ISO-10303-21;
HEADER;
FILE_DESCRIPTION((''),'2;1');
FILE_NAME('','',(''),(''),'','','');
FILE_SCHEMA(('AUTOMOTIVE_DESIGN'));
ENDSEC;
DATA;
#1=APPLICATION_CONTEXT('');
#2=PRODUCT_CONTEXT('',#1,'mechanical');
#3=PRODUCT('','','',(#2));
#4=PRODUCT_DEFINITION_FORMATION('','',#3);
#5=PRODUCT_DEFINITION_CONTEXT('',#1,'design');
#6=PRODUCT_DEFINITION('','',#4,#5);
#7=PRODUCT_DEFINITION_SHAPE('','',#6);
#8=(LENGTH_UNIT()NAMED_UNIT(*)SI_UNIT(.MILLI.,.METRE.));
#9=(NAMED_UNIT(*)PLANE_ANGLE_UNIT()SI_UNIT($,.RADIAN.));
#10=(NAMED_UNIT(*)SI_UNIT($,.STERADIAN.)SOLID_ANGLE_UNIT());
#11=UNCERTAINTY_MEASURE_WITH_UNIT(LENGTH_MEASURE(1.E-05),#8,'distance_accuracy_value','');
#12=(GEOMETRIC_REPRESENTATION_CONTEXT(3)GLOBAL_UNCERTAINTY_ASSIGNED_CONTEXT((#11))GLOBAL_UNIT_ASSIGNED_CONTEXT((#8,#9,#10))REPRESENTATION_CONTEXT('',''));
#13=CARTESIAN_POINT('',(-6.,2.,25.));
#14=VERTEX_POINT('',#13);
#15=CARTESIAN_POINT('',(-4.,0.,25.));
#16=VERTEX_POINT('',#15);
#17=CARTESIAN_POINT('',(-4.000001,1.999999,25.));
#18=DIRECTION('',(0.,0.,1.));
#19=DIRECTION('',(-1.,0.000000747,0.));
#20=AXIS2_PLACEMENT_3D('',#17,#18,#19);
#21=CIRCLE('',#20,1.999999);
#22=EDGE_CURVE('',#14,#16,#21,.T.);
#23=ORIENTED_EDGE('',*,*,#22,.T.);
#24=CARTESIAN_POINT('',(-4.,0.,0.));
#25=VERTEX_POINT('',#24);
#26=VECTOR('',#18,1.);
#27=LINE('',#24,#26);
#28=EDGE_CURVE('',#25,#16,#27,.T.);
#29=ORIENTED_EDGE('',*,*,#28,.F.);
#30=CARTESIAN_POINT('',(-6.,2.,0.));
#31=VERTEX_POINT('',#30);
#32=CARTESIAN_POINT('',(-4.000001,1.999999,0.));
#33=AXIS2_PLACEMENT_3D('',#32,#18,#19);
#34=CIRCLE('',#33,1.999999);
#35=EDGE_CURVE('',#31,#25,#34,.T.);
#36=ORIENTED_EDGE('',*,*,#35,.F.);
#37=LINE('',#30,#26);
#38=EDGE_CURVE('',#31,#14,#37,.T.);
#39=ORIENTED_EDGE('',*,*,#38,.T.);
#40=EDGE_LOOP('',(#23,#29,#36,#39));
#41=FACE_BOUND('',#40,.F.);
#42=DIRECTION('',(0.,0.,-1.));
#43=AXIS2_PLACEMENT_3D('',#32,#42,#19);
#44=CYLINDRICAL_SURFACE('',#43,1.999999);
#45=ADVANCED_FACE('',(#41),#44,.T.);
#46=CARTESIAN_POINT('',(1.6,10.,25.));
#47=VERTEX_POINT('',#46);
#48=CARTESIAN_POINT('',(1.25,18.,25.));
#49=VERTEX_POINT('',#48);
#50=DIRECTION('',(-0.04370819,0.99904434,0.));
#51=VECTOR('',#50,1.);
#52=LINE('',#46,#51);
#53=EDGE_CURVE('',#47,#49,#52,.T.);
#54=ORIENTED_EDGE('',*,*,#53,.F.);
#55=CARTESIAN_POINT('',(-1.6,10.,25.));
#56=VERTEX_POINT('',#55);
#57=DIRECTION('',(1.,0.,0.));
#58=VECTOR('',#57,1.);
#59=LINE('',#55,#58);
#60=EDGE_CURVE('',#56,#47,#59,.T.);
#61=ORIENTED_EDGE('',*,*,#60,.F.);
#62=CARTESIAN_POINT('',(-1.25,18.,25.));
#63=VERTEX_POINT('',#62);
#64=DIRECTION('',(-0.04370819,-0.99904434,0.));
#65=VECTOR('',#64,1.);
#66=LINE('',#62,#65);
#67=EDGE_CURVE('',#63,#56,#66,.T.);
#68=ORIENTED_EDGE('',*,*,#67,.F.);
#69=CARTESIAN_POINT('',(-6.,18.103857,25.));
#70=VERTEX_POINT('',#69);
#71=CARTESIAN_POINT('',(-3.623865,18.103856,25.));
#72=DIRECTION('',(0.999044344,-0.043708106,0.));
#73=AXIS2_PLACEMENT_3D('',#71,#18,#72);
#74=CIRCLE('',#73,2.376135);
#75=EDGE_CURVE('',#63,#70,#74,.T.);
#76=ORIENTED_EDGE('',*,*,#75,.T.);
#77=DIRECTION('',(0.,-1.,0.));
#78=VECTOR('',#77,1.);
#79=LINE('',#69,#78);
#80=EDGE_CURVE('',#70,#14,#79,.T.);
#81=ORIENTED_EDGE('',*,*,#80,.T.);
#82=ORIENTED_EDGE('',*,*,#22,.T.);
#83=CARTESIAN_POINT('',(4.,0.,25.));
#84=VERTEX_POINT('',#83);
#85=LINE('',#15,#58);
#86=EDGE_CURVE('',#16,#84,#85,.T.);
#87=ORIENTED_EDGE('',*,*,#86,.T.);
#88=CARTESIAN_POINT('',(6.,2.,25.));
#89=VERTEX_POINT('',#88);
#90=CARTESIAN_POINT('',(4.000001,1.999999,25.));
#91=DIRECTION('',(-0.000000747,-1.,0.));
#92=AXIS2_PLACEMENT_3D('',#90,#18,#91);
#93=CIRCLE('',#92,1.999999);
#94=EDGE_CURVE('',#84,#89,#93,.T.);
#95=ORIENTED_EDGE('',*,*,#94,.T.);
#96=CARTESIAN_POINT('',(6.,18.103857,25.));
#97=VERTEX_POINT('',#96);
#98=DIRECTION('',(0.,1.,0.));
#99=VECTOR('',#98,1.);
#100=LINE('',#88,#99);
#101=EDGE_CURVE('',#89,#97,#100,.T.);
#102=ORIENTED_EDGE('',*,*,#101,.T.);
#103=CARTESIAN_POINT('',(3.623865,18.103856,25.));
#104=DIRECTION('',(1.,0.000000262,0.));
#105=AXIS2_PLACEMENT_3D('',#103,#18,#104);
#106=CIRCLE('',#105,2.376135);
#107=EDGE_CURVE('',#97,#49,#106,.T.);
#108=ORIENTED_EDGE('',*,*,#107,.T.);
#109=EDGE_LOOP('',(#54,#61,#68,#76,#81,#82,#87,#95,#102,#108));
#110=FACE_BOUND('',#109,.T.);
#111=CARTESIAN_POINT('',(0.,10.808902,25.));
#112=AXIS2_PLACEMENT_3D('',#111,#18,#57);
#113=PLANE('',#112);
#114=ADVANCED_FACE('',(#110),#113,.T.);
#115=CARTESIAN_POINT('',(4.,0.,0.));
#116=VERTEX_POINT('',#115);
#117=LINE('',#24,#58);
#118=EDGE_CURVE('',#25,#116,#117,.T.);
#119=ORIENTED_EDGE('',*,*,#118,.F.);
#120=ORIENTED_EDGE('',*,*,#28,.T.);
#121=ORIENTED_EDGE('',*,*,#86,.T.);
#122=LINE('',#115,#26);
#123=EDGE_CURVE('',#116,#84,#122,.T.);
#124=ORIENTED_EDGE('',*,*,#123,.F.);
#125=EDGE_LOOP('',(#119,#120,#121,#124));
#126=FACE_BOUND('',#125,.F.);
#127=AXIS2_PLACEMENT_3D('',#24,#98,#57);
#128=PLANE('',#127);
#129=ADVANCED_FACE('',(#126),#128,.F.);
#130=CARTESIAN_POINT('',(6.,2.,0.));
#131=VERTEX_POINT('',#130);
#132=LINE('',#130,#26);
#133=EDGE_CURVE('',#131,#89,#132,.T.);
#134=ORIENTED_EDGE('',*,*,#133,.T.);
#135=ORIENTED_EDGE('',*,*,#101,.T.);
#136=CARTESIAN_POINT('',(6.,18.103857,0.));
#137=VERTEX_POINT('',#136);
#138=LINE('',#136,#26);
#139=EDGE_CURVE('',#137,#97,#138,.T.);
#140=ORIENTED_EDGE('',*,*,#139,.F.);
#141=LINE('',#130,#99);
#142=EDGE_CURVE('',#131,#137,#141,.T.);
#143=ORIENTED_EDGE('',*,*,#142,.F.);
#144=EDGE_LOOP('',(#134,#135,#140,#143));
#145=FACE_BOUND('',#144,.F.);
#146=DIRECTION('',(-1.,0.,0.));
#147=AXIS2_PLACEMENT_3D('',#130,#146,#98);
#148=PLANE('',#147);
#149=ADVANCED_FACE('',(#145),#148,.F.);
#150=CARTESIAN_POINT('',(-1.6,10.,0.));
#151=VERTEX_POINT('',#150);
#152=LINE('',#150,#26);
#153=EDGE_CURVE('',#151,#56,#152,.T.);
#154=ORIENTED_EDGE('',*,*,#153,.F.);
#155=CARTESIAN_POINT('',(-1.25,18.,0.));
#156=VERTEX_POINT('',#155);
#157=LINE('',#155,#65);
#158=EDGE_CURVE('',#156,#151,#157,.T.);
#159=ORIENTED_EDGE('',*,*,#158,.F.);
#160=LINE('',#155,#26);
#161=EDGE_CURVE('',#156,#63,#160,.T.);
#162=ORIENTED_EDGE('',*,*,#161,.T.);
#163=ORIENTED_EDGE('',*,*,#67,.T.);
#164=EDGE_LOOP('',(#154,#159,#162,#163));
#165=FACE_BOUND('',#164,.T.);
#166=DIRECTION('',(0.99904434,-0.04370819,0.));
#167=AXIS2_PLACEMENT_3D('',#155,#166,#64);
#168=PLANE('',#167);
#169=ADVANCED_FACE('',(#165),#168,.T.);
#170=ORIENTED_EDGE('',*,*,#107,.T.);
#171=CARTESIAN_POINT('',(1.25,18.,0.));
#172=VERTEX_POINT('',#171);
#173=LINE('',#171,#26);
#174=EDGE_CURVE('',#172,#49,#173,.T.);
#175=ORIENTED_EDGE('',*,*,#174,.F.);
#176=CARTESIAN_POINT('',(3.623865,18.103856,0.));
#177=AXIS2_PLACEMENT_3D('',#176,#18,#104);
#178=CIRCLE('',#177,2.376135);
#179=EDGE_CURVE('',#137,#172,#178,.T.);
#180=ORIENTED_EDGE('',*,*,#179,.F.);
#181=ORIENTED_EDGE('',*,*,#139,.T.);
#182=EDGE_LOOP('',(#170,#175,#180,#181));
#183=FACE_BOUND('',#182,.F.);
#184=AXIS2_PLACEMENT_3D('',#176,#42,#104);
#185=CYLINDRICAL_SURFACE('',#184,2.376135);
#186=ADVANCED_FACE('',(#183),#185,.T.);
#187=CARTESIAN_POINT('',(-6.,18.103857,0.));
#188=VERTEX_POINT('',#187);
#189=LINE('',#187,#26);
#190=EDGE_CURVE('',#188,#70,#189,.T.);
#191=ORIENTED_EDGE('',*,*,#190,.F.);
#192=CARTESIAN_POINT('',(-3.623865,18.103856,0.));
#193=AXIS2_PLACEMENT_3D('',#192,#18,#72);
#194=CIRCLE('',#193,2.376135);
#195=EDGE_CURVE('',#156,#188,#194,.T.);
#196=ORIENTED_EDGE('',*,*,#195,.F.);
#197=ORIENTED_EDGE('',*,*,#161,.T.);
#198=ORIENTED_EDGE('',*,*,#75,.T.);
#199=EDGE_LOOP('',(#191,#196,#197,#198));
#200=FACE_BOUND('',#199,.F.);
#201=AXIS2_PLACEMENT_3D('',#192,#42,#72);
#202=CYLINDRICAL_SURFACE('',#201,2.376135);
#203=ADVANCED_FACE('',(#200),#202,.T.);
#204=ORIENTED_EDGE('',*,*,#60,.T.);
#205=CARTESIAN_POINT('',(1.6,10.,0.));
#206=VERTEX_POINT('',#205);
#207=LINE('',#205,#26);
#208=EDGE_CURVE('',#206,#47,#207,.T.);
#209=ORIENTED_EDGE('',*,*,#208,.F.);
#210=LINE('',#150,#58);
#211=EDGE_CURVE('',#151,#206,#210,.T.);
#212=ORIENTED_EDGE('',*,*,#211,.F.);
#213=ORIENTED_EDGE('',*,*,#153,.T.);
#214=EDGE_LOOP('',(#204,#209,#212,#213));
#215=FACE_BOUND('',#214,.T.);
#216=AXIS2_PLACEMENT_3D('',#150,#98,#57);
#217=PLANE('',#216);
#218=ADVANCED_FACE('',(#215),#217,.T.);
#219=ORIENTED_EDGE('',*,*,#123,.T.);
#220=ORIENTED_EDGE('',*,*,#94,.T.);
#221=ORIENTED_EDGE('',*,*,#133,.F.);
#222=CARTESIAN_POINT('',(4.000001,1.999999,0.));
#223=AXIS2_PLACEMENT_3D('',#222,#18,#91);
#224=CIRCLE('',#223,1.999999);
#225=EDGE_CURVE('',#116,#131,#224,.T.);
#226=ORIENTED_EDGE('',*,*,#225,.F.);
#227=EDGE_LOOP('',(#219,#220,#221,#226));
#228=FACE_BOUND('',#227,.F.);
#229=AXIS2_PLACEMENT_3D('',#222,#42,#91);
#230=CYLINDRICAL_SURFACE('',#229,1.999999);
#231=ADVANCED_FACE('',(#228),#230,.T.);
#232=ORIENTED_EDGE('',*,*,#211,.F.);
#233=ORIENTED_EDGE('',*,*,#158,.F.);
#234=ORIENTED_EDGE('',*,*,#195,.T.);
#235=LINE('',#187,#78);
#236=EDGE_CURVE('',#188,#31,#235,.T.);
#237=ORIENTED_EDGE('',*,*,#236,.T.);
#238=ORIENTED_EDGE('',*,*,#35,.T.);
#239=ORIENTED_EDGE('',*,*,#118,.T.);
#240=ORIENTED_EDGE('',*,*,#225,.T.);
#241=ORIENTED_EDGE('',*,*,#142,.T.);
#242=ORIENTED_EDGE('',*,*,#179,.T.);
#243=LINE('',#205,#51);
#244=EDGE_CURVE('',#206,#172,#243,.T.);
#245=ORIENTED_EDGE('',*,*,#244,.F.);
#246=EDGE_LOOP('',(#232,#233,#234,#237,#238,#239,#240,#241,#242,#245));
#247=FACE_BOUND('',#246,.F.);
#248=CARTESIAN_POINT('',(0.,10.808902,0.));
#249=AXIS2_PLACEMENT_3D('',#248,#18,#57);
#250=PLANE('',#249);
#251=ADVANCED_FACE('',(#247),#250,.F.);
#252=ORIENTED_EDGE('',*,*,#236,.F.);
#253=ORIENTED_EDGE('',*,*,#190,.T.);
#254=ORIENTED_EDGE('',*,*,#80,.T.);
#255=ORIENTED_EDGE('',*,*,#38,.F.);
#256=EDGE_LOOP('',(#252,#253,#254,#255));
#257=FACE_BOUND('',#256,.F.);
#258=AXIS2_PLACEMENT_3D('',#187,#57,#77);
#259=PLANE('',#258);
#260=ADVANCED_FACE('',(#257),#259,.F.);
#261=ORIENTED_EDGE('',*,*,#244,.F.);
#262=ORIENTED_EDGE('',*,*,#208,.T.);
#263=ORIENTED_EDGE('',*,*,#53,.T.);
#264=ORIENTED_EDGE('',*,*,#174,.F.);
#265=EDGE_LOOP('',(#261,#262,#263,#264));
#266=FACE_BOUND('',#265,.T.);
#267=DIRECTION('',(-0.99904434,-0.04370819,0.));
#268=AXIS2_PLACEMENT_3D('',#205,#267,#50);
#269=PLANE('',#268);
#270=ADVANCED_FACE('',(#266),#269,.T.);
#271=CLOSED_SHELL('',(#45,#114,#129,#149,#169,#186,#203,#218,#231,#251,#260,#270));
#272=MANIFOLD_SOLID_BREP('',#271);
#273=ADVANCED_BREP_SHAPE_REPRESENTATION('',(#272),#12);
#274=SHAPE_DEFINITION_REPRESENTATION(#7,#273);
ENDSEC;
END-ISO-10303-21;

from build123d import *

# Parameters (mm, degrees)
PAD_DEPTH = 25


with BuildPart() as part:
    # Sketch → Pad (new body)
    with BuildSketch(Plane.XY):
        with BuildLine():
            Line((-6, 18.103857), (-6, 2))
            ThreePointArc((-6, 2), (-5.414214, 0.585786), (-4, 0))
            Line((-4, 0), (4, 0))
            ThreePointArc((4, 0), (5.414214, 0.585786), (6, 2))
            Line((6, 2), (6, 18.103857))
            ThreePointArc((6, 18.103857), (3.571924, 20.479424), (1.25, 18))
            Line((1.6, 10), (1.25, 18))
            Line((-1.6, 10), (1.6, 10))
            Line((-1.25, 18), (-1.6, 10))
            ThreePointArc((-1.25, 18), (-3.571924, 20.479424), (-6, 18.103857))
        make_face()
    extrude(amount=PAD_DEPTH)


solid = part.part
